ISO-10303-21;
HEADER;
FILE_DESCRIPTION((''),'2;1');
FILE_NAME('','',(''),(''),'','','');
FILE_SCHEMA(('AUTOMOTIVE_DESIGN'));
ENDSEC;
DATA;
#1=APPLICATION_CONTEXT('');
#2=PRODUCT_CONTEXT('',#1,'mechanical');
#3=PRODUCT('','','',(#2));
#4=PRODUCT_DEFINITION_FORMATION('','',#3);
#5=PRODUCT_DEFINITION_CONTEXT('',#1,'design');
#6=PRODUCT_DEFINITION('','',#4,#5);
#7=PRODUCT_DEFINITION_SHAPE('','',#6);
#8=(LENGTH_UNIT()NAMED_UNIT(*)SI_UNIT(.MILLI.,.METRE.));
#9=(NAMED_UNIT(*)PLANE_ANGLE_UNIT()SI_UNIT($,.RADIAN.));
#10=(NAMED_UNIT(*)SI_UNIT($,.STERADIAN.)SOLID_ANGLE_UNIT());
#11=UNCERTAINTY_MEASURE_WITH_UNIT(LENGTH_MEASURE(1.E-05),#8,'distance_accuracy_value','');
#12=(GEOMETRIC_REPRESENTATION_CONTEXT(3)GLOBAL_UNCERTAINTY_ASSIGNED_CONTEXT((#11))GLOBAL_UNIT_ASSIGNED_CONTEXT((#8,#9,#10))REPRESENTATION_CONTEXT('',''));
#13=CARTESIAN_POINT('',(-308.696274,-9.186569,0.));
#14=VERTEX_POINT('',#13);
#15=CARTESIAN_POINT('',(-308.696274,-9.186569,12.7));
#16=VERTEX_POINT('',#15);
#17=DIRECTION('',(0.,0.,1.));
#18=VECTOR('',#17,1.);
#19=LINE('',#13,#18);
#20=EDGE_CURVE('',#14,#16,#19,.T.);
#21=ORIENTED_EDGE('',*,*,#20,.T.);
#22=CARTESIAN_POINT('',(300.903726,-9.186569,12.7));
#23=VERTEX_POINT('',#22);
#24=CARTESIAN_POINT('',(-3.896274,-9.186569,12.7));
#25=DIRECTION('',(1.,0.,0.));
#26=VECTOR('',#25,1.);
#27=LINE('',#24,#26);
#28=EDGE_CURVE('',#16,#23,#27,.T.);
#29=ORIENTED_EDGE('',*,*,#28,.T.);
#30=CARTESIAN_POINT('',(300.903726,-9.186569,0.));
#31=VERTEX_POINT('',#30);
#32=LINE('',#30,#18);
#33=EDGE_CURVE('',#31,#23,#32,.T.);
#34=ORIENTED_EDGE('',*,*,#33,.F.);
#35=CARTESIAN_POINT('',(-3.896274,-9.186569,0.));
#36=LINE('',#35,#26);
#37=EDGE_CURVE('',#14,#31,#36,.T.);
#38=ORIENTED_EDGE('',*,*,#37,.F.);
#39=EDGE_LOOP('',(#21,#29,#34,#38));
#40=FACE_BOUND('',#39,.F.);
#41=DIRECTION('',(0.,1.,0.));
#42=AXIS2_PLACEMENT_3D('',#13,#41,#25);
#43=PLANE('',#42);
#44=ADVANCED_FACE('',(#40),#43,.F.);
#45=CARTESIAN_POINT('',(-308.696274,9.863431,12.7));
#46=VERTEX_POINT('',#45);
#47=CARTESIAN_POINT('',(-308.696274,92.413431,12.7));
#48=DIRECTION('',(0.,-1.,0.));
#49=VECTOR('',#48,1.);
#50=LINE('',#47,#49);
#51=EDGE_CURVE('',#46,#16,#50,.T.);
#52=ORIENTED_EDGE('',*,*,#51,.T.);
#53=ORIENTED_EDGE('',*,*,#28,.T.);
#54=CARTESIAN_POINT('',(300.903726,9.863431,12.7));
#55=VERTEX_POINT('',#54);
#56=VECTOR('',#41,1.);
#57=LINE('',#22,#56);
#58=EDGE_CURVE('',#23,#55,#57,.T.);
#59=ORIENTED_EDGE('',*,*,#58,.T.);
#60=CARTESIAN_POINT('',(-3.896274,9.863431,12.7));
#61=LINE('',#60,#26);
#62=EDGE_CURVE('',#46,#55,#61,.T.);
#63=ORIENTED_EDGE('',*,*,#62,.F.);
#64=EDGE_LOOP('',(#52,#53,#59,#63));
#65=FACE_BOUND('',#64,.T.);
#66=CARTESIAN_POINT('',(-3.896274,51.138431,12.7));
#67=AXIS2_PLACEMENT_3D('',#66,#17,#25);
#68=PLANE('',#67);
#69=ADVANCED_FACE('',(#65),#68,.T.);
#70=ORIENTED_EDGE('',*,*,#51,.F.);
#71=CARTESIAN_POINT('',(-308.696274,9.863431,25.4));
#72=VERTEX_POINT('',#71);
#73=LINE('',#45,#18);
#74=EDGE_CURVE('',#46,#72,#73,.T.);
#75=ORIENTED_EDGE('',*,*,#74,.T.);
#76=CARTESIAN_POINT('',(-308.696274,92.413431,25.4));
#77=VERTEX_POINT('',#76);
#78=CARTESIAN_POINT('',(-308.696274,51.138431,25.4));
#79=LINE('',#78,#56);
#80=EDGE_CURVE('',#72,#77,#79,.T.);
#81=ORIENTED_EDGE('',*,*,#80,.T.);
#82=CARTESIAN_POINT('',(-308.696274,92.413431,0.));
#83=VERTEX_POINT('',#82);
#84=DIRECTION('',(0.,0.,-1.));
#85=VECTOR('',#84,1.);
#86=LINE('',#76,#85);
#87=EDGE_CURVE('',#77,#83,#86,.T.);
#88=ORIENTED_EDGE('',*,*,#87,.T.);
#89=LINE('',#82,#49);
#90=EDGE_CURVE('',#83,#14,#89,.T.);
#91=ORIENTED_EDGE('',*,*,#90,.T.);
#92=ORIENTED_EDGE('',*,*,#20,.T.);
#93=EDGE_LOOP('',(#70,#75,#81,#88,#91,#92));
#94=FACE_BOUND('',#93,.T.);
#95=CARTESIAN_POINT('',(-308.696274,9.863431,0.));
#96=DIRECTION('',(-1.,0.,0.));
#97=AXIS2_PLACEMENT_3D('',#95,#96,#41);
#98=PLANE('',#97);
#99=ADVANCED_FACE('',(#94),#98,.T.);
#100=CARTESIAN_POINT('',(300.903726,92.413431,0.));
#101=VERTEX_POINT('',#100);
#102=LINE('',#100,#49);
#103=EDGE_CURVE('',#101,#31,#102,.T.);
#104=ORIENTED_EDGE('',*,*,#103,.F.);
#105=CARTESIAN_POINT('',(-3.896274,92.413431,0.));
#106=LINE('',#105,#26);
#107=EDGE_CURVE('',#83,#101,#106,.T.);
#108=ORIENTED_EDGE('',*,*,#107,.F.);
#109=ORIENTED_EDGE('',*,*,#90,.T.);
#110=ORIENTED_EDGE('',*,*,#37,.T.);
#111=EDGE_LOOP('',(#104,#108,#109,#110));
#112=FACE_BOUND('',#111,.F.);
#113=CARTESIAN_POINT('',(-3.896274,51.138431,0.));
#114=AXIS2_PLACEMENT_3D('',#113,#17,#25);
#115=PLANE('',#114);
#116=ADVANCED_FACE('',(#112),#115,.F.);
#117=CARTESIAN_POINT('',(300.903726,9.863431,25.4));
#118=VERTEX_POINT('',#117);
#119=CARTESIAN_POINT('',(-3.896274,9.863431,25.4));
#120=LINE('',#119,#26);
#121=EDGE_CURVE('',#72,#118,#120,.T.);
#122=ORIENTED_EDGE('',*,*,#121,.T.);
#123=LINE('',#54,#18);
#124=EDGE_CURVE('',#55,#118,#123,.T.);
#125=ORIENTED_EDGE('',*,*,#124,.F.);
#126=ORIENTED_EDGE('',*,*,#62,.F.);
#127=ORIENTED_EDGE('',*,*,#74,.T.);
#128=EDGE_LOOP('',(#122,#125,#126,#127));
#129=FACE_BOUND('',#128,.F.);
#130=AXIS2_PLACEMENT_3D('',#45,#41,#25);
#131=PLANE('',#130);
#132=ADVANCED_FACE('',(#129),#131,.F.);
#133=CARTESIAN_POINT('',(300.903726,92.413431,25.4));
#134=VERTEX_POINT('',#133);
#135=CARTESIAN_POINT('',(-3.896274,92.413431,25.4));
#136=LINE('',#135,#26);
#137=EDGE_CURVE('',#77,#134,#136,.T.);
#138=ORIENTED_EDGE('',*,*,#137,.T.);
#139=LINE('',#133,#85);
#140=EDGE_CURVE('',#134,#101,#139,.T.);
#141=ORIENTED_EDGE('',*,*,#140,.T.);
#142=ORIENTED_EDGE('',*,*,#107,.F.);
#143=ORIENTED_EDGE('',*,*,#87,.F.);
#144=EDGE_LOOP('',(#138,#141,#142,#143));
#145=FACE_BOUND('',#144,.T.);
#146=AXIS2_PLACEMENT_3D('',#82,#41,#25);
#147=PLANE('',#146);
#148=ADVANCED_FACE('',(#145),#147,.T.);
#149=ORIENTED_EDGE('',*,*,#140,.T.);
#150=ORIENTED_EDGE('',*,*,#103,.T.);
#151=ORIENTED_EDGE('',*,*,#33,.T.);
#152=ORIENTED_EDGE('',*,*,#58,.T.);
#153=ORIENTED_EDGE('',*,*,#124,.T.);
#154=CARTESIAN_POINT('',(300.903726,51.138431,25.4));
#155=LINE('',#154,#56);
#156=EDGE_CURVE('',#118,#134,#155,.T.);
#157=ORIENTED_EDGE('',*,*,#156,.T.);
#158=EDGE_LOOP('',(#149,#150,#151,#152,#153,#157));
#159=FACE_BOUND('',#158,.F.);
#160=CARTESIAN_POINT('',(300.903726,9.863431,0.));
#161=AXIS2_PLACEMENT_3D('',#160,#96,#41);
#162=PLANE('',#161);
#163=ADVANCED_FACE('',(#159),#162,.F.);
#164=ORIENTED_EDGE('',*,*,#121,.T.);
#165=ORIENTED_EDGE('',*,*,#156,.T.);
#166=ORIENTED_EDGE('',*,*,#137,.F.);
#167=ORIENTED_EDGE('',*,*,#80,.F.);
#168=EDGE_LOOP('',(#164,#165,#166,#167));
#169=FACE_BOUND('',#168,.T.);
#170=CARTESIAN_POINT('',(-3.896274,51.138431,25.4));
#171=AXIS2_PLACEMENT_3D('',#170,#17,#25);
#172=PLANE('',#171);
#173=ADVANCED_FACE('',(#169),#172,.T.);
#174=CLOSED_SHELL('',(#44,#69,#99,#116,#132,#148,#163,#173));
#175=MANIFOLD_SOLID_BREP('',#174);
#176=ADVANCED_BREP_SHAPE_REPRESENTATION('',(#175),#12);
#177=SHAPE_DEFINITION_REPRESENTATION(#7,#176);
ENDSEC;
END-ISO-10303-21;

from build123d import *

# Parameters (mm, degrees)
F0_W      = 609.6
F0_H      = 82.55
F1_DEPTH  = 12.7
F0_H_2    = 19.05
F1_FACE_W = 609.6
F1_FACE_H = 82.55
F2_DEPTH  = 12.7


with BuildPart() as f1:
    # F0 (on Top) → F1 (new body)
    with BuildSketch(Plane.XY):
        with Locations((-3.896274, 51.138431)):
            Rectangle(F0_W, F0_H)
    extrude(amount=F1_DEPTH)

    # F0 (on Top) + F1_face (on face) → F2 (join)
    with BuildSketch(Plane.XY):
        with Locations((-3.896274, 51.138431)):
            Rectangle(F0_W, F0_H)
        with Locations((-3.896274, 0.338431)):
            Rectangle(F0_W, F0_H_2)
    with BuildSketch(Plane(origin=(-3.896274, 51.138431, 12.7), x_dir=(1, 0, 0), z_dir=(0, 0, 1))):
        Rectangle(F1_FACE_W, F1_FACE_H)
    extrude(amount=F2_DEPTH)


solid = f1.part
